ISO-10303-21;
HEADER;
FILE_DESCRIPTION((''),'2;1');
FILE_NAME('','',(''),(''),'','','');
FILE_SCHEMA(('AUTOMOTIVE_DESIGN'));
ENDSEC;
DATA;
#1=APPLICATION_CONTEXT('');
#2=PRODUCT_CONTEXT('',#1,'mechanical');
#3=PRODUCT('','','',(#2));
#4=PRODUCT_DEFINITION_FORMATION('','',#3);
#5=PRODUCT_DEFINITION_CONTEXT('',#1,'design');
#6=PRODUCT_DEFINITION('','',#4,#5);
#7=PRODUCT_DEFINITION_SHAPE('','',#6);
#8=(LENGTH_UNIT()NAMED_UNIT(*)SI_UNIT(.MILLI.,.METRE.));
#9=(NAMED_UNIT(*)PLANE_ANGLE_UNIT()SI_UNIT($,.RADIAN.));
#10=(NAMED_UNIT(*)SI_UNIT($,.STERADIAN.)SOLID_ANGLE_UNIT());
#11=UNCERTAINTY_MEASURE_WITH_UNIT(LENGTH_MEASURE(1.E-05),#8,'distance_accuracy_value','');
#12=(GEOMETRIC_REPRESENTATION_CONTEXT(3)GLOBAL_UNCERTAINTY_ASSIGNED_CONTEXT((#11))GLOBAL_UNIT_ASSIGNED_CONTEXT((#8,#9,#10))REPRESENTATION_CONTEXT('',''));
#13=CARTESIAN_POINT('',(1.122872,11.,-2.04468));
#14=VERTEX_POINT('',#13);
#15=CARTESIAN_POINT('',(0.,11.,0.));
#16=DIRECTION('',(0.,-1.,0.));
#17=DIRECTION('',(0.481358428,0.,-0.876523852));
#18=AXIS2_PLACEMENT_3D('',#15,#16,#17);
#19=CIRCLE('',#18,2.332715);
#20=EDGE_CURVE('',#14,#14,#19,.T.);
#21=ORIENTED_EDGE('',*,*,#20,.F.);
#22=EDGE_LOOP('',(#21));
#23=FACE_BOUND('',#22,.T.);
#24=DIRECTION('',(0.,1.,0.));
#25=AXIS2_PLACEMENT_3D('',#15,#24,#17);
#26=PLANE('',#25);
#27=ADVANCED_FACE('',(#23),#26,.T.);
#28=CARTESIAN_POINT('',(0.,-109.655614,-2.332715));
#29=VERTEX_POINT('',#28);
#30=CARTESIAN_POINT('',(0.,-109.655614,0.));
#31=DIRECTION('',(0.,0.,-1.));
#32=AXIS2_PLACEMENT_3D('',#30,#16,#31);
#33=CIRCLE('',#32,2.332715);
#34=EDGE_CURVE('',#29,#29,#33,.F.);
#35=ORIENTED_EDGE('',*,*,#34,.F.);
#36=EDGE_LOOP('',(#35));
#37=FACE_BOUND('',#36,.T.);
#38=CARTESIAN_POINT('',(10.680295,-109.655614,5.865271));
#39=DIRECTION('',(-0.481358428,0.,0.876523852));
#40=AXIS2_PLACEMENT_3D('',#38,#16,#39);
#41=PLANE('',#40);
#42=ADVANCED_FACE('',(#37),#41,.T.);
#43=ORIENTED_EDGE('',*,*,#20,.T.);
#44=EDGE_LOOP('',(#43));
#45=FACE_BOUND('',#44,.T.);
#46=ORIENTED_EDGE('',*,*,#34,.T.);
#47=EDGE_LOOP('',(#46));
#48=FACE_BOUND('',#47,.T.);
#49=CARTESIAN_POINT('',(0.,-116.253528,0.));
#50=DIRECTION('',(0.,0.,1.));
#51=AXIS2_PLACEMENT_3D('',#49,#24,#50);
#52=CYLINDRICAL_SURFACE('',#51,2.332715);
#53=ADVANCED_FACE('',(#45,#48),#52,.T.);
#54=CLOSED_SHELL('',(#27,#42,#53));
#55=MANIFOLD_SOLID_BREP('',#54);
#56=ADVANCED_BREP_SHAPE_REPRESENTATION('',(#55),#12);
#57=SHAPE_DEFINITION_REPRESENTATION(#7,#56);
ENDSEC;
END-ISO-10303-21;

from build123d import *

# Parameters (mm, degrees)
SKETCH1_R           = 2.332714882
BOSS_EXTRUDE1_DEPTH = 109.655614
SKETCH1_2_R         = 2.332714882
BOSS_EXTRUDE3_DEPTH = 11


with BuildPart() as part:
    # Sketch1 → Boss-Extrude1 (new body)
    with BuildSketch(Plane(origin=(0, 0, 0), x_dir=(1, 0, 0), z_dir=(0, 1, 0))):
        Circle(SKETCH1_R)
    extrude(amount=-BOSS_EXTRUDE1_DEPTH)

    # Sketch1<2> → Boss-Extrude3 (add)
    with BuildSketch(Plane(origin=(0, 0, 0), x_dir=(1, 0, 0), z_dir=(0, 1, 0))):
        Circle(SKETCH1_2_R)
    extrude(amount=BOSS_EXTRUDE3_DEPTH)


solid = part.part
